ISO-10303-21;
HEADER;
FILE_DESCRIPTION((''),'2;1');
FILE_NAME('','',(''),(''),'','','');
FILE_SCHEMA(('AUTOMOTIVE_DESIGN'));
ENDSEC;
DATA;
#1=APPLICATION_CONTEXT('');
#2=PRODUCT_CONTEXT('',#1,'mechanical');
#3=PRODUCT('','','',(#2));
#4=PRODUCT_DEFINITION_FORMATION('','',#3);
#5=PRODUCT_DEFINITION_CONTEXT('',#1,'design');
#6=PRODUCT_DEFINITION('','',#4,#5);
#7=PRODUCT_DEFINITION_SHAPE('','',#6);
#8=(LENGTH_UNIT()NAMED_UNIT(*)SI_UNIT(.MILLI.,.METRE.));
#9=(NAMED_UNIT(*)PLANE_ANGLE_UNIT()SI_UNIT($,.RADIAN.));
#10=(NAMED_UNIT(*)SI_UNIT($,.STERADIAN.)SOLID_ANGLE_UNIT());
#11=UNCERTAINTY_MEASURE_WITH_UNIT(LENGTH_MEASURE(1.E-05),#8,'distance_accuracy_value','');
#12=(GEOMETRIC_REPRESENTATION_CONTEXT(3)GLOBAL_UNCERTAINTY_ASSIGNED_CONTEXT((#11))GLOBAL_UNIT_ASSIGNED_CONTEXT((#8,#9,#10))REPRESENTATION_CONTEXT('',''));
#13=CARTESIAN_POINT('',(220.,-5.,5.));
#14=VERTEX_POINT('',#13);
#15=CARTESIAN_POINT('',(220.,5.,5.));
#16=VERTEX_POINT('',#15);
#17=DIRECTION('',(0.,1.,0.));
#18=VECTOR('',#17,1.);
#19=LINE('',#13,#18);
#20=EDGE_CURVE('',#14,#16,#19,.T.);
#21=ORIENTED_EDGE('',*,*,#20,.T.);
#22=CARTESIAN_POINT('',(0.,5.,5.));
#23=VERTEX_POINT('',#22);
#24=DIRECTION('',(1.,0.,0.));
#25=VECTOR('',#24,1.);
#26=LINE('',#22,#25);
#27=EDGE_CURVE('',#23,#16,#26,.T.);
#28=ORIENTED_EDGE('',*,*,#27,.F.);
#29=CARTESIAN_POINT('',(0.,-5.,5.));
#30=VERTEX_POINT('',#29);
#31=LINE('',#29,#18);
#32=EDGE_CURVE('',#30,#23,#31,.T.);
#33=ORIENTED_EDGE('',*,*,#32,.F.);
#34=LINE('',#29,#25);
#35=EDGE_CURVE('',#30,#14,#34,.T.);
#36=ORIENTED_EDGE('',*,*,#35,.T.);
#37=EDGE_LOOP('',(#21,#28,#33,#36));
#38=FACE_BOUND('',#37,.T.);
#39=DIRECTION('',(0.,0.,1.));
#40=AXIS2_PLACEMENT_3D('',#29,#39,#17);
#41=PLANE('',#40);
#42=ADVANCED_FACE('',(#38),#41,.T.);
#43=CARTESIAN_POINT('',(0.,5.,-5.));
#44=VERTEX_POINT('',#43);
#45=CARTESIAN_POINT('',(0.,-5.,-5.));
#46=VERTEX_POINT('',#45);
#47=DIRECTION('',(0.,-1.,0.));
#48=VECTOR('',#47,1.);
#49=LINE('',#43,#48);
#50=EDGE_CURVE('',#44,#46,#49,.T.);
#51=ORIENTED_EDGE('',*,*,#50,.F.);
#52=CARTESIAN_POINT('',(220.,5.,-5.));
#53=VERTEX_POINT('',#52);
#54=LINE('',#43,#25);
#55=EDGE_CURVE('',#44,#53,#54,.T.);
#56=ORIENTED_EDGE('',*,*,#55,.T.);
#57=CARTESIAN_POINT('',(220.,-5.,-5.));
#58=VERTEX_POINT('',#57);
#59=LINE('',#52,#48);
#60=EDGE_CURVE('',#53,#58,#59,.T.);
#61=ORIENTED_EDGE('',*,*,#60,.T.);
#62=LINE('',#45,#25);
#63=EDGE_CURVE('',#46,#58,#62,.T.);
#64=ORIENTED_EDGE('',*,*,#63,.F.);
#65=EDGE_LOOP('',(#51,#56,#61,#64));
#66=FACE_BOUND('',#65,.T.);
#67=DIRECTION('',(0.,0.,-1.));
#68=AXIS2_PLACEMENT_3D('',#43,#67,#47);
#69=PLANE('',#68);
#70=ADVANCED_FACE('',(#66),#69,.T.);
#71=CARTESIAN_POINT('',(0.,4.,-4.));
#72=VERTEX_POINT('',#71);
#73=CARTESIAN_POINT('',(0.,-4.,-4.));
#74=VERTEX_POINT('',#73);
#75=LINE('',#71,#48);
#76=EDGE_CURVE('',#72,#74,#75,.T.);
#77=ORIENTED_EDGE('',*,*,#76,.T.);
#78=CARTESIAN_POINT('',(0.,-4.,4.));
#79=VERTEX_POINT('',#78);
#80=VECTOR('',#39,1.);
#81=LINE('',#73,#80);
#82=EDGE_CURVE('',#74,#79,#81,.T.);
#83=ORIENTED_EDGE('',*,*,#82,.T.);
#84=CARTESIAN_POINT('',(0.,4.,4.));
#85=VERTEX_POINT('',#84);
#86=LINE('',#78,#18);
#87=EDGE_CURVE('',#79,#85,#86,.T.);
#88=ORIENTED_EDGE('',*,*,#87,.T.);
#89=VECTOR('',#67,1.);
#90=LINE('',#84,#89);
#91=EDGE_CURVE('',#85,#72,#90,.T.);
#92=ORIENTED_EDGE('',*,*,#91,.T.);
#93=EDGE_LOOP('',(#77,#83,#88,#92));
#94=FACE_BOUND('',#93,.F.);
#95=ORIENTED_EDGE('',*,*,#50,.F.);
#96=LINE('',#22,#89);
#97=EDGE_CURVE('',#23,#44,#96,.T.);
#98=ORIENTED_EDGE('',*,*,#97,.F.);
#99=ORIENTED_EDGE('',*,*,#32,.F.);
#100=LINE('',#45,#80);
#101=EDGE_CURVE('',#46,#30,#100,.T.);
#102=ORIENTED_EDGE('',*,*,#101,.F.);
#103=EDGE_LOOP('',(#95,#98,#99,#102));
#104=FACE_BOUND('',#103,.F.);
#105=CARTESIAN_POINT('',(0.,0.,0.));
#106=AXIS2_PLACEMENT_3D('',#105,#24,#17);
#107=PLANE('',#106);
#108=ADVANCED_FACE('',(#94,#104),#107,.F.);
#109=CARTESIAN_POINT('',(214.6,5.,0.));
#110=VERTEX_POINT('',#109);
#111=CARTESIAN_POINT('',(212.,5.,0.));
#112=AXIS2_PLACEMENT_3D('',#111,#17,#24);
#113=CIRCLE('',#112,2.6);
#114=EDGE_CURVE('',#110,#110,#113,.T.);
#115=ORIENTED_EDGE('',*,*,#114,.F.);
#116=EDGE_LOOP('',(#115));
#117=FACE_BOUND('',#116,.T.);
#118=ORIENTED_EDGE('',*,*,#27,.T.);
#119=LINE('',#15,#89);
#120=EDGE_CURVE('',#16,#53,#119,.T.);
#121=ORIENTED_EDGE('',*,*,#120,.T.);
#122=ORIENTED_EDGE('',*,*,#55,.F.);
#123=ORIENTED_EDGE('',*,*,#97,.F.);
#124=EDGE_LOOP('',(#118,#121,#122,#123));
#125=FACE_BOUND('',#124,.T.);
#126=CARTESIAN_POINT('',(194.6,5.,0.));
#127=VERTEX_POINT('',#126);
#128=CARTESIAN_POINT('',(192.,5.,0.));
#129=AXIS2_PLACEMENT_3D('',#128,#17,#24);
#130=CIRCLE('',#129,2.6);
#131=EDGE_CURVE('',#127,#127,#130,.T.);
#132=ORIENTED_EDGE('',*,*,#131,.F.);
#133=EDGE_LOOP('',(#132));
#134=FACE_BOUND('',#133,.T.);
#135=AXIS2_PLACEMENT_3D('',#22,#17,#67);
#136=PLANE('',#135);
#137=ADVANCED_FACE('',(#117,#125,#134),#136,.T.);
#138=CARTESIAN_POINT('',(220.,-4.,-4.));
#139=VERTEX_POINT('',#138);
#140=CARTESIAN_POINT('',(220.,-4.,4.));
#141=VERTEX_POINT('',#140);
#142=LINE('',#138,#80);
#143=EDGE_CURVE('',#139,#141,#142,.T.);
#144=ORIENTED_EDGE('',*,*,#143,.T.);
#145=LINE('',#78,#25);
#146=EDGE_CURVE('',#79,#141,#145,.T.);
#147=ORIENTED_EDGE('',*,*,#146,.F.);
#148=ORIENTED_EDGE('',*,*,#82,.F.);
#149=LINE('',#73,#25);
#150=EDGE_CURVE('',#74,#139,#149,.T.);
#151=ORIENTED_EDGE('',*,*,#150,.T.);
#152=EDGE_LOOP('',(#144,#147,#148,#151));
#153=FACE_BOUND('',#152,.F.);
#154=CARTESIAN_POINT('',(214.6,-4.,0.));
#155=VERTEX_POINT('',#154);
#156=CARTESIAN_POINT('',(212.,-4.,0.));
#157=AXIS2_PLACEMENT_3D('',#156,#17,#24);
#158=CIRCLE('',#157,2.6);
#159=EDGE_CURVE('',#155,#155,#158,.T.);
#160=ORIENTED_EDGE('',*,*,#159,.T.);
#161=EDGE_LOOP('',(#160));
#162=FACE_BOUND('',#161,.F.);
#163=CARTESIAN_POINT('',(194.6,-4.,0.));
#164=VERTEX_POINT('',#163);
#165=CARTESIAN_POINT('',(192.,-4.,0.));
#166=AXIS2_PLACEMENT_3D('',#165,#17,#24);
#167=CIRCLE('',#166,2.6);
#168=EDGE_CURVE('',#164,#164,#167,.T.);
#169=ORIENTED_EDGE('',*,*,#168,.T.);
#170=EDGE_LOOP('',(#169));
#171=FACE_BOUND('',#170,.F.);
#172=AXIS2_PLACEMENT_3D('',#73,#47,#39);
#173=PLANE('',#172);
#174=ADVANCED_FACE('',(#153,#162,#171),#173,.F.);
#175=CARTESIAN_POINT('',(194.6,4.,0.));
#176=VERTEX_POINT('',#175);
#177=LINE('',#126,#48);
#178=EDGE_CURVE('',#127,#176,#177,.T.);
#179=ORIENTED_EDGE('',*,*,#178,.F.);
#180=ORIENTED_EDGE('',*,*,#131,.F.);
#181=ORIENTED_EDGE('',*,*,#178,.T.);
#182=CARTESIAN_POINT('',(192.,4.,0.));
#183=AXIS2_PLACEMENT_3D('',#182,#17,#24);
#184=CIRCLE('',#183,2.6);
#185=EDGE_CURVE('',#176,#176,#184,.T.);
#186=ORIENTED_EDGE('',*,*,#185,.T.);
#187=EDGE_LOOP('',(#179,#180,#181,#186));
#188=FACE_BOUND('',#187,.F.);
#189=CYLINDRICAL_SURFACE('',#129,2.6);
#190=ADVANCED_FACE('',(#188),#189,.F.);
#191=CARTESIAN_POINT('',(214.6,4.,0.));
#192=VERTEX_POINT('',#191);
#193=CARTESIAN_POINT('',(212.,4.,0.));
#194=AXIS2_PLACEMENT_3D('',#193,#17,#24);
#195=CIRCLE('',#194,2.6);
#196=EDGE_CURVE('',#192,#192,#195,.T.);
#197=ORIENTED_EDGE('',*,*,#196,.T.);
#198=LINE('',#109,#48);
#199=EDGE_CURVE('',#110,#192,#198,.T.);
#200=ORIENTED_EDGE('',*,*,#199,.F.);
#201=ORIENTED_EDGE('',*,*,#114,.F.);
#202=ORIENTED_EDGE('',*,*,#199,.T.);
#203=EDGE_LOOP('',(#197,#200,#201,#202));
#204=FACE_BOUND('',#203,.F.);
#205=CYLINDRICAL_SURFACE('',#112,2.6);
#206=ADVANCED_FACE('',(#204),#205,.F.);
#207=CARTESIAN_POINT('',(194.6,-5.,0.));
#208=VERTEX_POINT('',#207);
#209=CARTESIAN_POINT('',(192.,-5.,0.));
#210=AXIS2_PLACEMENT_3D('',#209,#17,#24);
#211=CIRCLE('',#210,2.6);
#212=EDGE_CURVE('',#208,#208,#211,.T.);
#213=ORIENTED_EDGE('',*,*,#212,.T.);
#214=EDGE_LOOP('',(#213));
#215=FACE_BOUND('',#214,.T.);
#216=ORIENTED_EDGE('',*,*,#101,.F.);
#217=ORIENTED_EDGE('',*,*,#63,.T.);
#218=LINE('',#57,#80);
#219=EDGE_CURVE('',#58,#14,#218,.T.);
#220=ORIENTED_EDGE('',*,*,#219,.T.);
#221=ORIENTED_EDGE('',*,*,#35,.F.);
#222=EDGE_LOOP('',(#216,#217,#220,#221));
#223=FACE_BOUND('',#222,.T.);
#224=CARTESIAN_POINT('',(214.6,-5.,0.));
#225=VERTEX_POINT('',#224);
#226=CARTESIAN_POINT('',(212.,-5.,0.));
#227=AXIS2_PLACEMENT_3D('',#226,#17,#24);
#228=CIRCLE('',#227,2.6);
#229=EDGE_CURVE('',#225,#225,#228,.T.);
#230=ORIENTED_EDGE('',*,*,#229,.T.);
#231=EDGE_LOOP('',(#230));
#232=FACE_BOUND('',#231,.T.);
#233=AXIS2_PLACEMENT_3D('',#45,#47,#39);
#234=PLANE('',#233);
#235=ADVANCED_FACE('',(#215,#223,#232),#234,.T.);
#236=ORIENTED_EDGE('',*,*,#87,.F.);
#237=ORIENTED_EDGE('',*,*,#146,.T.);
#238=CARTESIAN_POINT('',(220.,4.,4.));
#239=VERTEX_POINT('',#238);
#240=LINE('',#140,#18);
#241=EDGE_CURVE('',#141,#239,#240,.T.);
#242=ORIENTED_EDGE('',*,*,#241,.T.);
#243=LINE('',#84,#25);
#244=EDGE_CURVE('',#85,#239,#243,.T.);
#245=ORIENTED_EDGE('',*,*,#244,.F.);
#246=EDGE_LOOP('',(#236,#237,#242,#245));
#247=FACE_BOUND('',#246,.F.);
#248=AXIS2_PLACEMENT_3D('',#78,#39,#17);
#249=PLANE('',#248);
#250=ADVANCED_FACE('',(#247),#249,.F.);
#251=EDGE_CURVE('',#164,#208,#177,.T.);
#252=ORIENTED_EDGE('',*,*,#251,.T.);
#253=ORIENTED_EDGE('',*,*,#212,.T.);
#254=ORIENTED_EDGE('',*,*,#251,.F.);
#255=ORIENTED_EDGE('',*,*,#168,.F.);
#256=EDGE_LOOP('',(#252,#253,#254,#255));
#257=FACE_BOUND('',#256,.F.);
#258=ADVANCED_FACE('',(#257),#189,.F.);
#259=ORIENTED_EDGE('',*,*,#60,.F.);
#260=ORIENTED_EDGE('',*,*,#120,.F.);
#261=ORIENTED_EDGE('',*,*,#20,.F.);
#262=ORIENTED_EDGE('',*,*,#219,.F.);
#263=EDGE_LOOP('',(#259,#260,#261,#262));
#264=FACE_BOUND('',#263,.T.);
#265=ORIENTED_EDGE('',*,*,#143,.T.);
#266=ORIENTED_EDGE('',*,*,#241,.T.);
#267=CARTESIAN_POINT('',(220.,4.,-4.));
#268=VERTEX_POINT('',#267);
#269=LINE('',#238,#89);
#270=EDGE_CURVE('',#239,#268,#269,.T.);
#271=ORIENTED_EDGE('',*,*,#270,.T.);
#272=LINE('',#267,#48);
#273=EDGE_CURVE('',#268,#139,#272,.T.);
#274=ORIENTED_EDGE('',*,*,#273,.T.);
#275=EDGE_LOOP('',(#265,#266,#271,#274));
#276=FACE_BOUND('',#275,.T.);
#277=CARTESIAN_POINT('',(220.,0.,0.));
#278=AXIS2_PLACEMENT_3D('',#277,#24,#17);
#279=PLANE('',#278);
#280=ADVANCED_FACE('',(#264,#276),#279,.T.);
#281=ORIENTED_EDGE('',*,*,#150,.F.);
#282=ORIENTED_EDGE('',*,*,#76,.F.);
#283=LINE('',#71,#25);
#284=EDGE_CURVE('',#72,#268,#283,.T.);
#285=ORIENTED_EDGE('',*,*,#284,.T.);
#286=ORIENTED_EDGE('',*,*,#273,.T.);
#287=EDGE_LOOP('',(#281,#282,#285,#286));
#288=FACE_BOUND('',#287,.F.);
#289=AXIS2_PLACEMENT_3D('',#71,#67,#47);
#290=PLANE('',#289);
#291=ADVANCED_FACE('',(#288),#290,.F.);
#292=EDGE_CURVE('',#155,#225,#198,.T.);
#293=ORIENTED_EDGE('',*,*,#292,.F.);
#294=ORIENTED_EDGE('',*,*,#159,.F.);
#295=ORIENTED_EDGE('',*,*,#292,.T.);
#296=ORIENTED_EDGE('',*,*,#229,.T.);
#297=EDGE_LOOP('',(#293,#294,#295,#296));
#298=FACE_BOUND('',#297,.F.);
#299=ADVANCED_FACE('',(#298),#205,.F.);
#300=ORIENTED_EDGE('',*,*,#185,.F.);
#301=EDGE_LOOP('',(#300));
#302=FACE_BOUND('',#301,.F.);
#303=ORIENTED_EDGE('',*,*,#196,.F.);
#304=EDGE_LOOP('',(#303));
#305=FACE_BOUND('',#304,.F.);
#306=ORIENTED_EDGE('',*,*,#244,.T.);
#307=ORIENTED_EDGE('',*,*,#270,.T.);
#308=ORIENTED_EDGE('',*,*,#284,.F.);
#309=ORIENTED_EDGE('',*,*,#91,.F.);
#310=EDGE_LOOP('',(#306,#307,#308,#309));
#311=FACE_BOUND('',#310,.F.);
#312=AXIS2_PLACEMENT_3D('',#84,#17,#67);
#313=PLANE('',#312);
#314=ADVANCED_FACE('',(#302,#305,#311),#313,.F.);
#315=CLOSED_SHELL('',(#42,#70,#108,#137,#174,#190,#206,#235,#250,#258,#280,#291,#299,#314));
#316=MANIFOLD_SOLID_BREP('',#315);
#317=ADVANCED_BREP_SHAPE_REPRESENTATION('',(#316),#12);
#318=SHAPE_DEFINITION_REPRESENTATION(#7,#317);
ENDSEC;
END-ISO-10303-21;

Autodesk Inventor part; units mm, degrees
ref_plane "YZ Plane" through (0, 0, 0) normal (1, 0, 0) x (0, 1, 0)
ref_plane "XZ Plane" through (0, 0, 0) normal (0, 1, 0) x (-1, 0, 0)
ref_plane "XY Plane" through (0, 0, 0) normal (0, 0, 1) x (1, 0, 0)
sketch "Sketch1" plane through (0, 0, 0) normal (1, 0, 0) x (0, 1, 0)
  line L0 (-5, 5) -> (5, 5)
  line L1 (5, 5) -> (5, -5)
  line L2 (5, -5) -> (-5, -5)
  line L3 (-5, -5) -> (-5, 5)
  line L4 (-5, 5) -> (5, -5) construction
  line L5 (5, 5) -> (-5, -5) construction
  line L6 (-4, 4) -> (4, 4)
  line L7 (4, 4) -> (4, -4)
  line L8 (4, -4) -> (-4, -4)
  line L9 (-4, -4) -> (-4, 4)
  line L10 (-4, 4) -> (4, -4) construction
  line L11 (4, 4) -> (-4, -4) construction
  point P0 (0, 0)
  dimension "d0" = 10
  dimension "d1" = 10
  dimension "d2" = 8
  dimension "d3" = 8
extrude "Extrusion1" add sketch "Sketch1" along normal blind 220
sketch "Sketch2" plane through (0, 5, 5) normal (0, 1, 0) x (1, 0, 0)
  circle A0 centre (212, 5) radius 2.6
  line L0 (220, 10) -> (220, 0) projected
  circle A1 centre (192, 5) radius 2.6
  line L1 (0, 0) -> (220, 0) projected
  point P0 (0, 5)
  dimension "d8" = 5.2
  dimension "d9" = 8
  dimension "d10" = 5.2
  dimension "d11" = 20
  dimension "d12" = 5
extrude "Extrusion2" cut sketch "Sketch2" against normal blind 10
properties part number "arm"
